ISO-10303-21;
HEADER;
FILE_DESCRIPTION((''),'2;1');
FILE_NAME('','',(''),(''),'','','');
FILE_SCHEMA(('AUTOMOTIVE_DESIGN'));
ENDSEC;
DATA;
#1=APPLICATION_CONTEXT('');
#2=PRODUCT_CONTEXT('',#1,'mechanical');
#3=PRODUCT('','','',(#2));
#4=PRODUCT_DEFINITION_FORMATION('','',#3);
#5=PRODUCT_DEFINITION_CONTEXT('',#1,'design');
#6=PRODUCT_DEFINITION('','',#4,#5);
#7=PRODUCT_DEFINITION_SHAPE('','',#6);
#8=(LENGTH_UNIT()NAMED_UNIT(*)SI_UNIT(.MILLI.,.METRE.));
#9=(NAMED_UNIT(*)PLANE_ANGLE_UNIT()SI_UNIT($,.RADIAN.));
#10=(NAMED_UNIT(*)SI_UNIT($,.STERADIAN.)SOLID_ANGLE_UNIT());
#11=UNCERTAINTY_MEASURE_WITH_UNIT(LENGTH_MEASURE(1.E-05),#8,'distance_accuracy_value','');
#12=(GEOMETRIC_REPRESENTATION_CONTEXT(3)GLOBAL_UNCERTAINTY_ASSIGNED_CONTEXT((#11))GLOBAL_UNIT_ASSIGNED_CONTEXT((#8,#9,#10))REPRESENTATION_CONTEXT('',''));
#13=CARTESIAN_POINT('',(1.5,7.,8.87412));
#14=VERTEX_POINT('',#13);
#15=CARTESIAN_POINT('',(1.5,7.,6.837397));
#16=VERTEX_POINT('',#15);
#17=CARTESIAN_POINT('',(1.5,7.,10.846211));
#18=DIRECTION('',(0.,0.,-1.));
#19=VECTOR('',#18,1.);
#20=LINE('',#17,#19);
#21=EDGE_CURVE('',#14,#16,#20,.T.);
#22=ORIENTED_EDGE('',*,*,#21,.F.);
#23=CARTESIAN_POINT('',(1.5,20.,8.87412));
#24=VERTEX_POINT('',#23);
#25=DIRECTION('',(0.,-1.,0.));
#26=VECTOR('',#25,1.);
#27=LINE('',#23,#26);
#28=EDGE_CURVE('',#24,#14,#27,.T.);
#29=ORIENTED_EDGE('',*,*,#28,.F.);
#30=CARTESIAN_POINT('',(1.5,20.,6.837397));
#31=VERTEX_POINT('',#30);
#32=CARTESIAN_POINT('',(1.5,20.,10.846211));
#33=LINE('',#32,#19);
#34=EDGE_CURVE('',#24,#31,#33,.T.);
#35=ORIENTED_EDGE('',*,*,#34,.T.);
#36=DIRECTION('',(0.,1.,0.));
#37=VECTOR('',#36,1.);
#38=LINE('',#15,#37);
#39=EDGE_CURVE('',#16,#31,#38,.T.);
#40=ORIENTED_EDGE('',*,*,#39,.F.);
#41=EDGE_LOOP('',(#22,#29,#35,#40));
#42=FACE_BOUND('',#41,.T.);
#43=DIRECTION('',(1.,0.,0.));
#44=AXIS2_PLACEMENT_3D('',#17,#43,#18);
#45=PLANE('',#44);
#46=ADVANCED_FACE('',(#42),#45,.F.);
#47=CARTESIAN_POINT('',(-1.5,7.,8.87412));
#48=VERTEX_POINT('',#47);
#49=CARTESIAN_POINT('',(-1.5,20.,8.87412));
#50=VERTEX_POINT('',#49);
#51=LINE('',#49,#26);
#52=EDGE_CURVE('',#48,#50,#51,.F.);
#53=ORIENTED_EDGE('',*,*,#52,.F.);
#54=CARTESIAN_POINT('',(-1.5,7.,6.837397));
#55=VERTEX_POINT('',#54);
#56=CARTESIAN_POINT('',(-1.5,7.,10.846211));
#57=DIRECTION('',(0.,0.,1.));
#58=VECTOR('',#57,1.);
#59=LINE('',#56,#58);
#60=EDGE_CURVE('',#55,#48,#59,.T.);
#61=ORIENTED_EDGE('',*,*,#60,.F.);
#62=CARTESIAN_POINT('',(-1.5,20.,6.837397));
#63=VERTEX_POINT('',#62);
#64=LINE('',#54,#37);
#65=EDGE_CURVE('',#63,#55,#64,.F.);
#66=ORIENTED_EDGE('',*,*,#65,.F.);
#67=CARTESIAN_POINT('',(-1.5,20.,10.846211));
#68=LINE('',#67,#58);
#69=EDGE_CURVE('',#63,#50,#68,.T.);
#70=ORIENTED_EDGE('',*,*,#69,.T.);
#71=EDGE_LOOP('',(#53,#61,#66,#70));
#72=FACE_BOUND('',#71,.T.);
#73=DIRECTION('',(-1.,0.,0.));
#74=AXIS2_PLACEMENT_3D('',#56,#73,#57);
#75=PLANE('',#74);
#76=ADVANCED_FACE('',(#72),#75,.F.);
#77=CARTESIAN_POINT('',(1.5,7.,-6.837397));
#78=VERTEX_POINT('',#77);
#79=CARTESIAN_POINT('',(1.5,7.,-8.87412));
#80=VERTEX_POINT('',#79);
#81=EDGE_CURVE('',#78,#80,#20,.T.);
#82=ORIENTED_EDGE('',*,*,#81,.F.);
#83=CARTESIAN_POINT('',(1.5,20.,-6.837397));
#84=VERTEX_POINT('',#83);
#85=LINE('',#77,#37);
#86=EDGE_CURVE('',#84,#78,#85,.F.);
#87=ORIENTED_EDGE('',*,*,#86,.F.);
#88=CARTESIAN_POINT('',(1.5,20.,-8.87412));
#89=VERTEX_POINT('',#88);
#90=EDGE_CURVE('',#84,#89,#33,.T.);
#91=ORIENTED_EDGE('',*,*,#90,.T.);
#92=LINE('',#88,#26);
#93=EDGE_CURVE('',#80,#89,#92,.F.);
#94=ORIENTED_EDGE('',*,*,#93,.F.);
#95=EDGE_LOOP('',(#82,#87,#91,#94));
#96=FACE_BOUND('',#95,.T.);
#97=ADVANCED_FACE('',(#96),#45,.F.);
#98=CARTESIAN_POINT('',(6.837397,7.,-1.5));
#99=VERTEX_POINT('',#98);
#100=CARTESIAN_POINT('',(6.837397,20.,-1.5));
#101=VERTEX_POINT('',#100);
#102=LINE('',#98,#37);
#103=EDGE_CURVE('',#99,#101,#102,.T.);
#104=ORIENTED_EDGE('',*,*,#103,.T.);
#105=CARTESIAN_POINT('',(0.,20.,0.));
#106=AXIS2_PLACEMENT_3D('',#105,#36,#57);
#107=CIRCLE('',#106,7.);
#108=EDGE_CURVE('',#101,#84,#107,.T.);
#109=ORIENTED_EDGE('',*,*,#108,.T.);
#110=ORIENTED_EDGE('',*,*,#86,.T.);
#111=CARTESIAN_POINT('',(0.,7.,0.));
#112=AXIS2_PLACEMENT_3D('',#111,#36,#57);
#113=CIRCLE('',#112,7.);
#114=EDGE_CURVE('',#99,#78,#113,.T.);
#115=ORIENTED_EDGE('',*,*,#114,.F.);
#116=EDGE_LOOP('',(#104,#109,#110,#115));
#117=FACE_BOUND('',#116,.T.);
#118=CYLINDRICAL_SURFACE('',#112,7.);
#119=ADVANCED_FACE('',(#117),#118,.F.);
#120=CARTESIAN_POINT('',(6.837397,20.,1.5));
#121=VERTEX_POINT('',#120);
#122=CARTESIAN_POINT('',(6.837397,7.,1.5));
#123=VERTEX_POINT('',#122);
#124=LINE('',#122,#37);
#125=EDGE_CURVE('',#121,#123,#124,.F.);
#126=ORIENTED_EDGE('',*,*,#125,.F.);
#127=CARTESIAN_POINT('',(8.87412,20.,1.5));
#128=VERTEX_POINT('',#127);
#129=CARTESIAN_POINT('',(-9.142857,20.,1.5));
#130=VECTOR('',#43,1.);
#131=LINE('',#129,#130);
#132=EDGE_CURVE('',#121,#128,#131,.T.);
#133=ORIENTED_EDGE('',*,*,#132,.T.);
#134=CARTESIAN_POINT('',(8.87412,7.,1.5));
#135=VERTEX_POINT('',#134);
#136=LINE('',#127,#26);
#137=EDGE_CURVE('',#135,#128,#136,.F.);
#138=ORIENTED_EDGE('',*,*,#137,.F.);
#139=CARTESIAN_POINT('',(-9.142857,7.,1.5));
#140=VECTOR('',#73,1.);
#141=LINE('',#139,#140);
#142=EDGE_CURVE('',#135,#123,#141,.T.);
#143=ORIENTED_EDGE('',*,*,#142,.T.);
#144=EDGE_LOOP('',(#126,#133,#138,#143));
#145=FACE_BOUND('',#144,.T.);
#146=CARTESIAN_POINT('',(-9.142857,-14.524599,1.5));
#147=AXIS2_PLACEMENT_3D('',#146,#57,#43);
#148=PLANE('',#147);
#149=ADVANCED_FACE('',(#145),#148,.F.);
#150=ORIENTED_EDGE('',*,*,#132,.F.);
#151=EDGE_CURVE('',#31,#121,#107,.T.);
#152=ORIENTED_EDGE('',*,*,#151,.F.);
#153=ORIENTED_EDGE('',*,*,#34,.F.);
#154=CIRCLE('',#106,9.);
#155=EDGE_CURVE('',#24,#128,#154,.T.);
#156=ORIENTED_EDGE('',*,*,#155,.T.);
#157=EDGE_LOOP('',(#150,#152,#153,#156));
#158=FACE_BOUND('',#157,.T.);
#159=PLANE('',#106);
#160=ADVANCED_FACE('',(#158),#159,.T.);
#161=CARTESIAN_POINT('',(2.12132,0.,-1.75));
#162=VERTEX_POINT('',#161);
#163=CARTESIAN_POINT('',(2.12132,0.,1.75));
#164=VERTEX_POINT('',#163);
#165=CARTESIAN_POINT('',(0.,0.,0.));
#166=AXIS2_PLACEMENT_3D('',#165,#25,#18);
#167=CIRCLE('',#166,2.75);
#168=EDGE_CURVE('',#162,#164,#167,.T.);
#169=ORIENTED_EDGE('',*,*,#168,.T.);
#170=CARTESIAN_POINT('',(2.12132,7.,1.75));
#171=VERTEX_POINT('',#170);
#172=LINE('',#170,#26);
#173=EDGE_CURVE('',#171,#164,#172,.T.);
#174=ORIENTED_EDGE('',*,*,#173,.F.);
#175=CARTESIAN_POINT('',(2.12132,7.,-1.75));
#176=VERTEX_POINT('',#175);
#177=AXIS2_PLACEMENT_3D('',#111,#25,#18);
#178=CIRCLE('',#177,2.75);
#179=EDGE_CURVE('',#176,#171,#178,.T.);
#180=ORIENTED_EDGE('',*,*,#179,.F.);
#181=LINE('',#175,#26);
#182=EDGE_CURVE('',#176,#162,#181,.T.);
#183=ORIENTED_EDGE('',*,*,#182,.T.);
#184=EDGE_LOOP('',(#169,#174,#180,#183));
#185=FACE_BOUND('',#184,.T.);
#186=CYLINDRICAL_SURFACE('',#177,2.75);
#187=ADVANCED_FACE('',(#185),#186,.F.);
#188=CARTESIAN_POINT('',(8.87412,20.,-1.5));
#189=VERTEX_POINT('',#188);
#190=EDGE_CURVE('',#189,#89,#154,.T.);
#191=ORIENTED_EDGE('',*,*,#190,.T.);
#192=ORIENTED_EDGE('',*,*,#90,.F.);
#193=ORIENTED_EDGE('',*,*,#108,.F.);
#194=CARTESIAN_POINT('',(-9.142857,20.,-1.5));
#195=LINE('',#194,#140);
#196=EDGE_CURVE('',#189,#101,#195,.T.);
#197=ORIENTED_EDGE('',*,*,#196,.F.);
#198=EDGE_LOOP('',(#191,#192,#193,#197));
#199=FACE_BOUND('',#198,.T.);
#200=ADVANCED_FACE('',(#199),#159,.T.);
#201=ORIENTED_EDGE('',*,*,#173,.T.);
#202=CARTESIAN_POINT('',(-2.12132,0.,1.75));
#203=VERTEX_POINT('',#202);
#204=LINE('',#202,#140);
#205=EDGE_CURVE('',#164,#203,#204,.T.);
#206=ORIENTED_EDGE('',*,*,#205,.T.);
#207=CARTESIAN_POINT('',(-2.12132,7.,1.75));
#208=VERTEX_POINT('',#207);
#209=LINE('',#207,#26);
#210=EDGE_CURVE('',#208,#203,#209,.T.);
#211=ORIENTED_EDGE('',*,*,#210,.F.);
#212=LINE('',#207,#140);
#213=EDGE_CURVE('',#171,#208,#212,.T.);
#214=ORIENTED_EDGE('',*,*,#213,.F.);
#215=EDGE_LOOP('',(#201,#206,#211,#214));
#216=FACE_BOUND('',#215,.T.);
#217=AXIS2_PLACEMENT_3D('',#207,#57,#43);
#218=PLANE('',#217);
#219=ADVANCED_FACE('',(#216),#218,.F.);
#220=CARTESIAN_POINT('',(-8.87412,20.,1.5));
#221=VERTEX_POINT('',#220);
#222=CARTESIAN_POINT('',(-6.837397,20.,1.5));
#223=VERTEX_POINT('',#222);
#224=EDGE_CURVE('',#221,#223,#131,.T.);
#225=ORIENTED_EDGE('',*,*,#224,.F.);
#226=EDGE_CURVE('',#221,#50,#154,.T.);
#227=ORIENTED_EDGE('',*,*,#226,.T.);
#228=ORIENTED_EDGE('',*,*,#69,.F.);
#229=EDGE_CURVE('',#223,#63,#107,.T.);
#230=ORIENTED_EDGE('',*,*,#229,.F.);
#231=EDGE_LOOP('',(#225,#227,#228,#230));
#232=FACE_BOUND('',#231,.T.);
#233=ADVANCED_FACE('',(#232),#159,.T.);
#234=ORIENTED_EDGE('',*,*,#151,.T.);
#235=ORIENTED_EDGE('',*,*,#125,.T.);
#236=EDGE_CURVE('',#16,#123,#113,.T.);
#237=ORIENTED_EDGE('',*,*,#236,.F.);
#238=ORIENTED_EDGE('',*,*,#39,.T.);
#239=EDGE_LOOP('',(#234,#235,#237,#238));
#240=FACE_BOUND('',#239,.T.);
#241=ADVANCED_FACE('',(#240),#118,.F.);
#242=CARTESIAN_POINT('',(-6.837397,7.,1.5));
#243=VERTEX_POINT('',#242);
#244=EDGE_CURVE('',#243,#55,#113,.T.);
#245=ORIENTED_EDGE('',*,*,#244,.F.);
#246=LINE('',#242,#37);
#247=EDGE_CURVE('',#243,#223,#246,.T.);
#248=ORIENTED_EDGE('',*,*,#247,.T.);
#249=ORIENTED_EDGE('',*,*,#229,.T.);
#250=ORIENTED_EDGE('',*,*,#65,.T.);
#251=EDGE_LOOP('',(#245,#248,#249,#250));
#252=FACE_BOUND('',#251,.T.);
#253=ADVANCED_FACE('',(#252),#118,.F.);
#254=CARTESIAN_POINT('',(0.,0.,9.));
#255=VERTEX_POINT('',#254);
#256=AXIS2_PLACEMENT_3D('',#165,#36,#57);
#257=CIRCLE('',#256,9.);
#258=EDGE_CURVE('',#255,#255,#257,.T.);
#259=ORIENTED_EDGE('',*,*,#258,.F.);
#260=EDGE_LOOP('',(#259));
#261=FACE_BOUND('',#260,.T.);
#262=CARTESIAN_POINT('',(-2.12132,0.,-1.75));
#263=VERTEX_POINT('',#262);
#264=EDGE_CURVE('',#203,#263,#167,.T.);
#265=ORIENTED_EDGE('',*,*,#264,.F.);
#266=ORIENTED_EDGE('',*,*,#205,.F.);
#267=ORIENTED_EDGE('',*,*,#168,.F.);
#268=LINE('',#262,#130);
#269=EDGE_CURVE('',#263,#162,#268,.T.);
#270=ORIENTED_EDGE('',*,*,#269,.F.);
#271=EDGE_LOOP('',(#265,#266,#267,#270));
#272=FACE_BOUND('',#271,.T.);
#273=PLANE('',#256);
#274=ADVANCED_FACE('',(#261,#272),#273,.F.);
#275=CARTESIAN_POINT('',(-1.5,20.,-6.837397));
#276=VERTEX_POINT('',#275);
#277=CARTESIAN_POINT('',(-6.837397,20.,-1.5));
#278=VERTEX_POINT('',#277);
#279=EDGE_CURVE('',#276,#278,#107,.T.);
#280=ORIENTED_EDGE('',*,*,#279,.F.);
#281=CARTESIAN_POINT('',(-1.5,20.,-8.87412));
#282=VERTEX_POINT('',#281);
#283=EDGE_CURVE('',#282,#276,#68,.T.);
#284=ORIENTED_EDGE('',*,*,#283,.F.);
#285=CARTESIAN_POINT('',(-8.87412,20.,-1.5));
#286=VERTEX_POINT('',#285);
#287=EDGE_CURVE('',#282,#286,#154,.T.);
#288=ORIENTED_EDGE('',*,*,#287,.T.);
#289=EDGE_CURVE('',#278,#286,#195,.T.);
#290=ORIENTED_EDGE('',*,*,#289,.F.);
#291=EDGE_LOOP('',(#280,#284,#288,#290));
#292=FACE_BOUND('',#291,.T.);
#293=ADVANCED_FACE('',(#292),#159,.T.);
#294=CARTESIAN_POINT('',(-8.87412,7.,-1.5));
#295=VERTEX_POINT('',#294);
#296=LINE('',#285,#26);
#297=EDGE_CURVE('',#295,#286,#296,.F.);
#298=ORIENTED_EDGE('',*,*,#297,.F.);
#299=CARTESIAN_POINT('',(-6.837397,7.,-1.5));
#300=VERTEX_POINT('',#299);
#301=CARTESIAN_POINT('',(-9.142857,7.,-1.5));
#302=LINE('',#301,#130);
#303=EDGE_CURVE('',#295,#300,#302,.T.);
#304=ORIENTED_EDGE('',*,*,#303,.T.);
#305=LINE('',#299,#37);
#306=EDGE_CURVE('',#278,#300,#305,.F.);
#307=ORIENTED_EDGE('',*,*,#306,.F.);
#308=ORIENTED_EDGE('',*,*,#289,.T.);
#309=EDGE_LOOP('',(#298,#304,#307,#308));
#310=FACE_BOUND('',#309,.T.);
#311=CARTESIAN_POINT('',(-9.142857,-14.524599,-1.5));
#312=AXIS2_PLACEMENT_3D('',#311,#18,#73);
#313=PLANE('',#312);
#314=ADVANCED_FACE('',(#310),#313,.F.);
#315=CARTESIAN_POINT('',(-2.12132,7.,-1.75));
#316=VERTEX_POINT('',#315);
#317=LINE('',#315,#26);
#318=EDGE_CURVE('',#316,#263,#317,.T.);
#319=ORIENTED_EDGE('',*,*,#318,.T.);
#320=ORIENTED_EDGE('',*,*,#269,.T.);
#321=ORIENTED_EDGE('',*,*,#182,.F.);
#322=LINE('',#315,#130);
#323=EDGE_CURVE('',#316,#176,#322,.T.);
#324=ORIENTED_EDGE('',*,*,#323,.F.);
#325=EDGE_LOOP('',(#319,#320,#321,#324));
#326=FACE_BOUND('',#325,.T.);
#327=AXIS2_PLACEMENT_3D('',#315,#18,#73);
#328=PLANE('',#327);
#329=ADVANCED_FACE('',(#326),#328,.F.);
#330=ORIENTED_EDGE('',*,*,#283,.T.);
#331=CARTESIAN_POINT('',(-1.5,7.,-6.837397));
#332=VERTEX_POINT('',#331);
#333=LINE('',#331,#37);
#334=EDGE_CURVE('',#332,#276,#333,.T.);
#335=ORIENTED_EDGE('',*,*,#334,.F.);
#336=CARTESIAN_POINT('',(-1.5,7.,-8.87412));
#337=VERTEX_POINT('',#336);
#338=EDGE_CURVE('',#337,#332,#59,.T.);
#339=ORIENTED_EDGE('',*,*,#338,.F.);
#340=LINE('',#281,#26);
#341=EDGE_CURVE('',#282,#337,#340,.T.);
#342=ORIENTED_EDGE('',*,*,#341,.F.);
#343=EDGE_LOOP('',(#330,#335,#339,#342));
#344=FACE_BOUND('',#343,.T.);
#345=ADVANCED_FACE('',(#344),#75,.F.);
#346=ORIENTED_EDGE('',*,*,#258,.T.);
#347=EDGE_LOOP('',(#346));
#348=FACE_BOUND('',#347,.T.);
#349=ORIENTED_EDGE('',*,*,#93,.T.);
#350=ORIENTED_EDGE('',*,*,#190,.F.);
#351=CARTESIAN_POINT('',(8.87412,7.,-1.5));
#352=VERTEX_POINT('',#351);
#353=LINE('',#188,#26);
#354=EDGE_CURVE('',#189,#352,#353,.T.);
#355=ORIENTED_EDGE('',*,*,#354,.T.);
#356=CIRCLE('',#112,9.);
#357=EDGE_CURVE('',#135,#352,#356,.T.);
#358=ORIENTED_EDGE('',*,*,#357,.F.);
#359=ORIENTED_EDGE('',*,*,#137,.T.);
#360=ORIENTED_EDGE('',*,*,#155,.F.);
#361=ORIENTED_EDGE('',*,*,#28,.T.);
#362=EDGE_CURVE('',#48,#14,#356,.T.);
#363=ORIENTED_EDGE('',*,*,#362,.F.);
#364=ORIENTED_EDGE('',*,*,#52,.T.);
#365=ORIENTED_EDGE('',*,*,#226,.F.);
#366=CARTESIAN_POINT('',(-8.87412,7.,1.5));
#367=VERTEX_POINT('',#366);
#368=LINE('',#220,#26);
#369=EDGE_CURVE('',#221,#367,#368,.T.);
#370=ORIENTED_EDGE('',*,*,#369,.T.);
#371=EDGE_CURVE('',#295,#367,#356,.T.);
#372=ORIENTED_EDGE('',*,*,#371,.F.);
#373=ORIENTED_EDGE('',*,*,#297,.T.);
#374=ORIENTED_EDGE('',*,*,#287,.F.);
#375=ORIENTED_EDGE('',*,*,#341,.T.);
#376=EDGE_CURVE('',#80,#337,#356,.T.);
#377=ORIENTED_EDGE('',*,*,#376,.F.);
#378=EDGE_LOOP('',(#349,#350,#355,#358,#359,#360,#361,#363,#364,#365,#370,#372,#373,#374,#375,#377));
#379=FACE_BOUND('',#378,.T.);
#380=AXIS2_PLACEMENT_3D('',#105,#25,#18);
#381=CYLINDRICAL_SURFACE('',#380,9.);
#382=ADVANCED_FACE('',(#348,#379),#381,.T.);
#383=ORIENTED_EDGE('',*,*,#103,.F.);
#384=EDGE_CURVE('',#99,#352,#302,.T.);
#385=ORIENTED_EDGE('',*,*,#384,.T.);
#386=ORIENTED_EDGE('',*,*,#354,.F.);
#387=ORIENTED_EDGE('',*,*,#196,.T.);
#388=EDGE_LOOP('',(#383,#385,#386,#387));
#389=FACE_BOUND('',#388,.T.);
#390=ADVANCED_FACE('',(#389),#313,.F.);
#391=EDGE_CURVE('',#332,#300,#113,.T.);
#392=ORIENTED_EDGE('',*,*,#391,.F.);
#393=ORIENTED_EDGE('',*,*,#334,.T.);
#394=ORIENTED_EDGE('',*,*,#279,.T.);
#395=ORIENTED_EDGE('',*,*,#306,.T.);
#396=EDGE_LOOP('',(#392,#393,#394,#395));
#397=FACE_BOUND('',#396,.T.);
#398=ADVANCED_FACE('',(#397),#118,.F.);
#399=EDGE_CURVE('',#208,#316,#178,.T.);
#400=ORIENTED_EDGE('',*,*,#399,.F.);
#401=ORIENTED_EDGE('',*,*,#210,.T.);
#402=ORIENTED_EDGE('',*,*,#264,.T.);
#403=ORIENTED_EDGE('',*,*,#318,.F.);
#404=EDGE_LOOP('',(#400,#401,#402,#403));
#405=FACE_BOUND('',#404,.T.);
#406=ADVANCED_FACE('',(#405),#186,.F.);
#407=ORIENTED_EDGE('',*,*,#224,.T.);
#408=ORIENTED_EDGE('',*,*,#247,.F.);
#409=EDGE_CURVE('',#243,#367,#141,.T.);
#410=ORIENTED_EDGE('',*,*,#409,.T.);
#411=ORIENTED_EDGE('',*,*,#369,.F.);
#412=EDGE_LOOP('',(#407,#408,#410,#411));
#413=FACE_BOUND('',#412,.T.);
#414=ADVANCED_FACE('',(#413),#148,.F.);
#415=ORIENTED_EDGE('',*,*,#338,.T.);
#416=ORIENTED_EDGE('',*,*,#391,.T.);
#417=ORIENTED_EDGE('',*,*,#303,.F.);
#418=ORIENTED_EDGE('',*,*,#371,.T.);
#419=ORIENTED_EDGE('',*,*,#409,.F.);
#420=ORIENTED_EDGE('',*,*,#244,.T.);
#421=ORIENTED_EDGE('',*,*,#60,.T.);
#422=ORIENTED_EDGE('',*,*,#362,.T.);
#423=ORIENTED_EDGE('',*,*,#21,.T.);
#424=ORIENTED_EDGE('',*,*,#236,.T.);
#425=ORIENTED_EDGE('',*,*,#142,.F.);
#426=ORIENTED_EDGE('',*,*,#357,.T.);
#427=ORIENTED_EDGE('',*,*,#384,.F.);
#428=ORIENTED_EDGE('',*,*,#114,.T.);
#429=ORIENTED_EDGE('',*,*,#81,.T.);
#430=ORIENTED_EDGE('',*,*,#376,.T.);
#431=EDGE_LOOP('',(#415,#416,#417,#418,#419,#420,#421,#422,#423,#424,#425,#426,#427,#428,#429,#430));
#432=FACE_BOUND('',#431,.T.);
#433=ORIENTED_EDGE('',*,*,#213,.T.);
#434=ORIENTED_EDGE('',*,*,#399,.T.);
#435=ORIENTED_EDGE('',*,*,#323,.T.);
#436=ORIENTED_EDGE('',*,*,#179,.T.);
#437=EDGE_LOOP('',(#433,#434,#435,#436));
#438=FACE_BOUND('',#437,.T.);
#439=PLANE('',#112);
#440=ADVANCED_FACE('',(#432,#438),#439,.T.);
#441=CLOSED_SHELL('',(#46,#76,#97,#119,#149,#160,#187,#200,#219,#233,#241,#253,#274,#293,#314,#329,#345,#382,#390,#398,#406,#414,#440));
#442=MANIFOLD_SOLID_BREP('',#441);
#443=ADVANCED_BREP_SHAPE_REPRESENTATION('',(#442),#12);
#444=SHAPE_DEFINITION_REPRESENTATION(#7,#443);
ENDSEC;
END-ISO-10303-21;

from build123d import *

# Parameters (mm, degrees)
SKETCH_1_R          = 9
EXTRUDE_1_DEPTH     = 20
CUT_EXTRUDE_1_DEPTH = 7
SKETCH_3_R          = 7
CUT_EXTRUDE_2_DEPTH = 13
CUT_EXTRUDE_3_DEPTH = 13
CUT_EXTRUDE_4_DEPTH = 13


with BuildPart() as part:
    # 草图1 → 凸台-拉伸1 (new body)
    with BuildSketch(Plane(origin=(0, 0, 0), x_dir=(1, 0, 0), z_dir=(0, 1, 0))):
        with Locations(Location((0, 0, 0), (0, 0, 270))):
            Circle(SKETCH_1_R)
    extrude(amount=EXTRUDE_1_DEPTH)

    # 草图2 → 切除-拉伸1 (cut)
    with BuildSketch(Plane(origin=(0, 0, 0), x_dir=(-1, 0, 0), z_dir=(0, -1, 0))):
        with BuildLine():
            Line((2.121320344, 1.75), (-2.121320344, 1.75))
            ThreePointArc((-2.121320344, 1.75), (-2.75, 0), (-2.121320344, -1.75))
            Line((-2.121320344, -1.75), (2.121320344, -1.75))
            ThreePointArc((2.121320344, -1.75), (2.75, 0), (2.121320344, 1.75))
        make_face()
    extrude(amount=-CUT_EXTRUDE_1_DEPTH, mode=Mode.SUBTRACT)

    # 草图3 → 切除-拉伸2 (cut)
    with BuildSketch(Plane(origin=(0, 20, 0), x_dir=(1, 0, 0), z_dir=(0, 1, 0))):
        with Locations(Location((0, 0, 0), (0, 0, 270))):
            Circle(SKETCH_3_R)
    extrude(amount=-CUT_EXTRUDE_2_DEPTH, mode=Mode.SUBTRACT)

    # 草图8 → 切除-拉伸3 (cut)
    with BuildSketch(Plane(origin=(0, 20, 0), x_dir=(1, 0, 0), z_dir=(0, 1, 0))):
        with BuildLine():
            Line((-1.5, -10.84621088), (-1.5, 10.935737737))
            ThreePointArc((-1.5, 10.935737737), (0, 12.435737737), (1.5, 10.935737737))
            Line((1.5, 10.935737737), (1.5, -10.84621088))
            ThreePointArc((1.5, -10.84621088), (0, -12.34621088), (-1.5, -10.84621088))
        make_face()
    extrude(amount=-CUT_EXTRUDE_3_DEPTH, mode=Mode.SUBTRACT)

    # 草图9 → 切除-拉伸4 (cut)
    with BuildSketch(Plane(origin=(0, 20, 0), x_dir=(1, 0, 0), z_dir=(0, 1, 0))):
        with BuildLine():
            Line((-9.142857143, 1.5), (9.171653543, 1.5))
            ThreePointArc((9.171653543, 1.5), (10.671653543, 0), (9.171653543, -1.5))
            Line((9.171653543, -1.5), (-9.142857143, -1.5))
            ThreePointArc((-9.142857143, -1.5), (-10.642857143, 0), (-9.142857143, 1.5))
        make_face()
    extrude(amount=-CUT_EXTRUDE_4_DEPTH, mode=Mode.SUBTRACT)


solid = part.part
